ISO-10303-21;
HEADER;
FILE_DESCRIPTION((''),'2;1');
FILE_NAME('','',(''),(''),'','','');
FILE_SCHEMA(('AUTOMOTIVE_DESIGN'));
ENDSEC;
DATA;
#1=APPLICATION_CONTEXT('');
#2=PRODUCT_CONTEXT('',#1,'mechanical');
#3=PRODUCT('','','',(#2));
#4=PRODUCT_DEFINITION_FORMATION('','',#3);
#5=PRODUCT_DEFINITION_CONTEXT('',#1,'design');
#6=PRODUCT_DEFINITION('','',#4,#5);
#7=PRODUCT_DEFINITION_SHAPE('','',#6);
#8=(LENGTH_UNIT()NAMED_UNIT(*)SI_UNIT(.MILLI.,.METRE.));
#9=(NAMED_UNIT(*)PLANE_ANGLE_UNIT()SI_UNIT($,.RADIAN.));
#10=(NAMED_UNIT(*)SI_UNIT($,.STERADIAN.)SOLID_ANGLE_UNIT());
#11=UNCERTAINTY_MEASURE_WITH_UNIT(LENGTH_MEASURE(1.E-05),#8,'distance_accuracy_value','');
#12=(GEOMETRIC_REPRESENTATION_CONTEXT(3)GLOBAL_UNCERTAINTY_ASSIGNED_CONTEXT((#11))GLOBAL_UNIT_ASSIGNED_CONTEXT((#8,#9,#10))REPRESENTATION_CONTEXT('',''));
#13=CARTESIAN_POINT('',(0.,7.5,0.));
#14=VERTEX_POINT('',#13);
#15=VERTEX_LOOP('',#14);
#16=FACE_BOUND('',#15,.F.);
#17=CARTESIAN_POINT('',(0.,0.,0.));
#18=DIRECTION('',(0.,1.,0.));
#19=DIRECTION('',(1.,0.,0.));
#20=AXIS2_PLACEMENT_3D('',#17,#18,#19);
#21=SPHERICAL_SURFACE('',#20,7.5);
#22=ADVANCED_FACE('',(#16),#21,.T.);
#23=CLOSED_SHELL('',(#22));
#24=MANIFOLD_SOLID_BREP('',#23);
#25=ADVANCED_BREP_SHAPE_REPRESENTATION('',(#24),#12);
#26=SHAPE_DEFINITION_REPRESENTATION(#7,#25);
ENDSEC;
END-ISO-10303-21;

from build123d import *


with BuildPart() as part:
    # Sketch1 → Revolve3 (revolve)
    with BuildSketch(Plane.XY):
        with BuildLine():
            Line((0, 7.5), (0, -7.5))
            ThreePointArc((0, -7.5), (7.5, 0), (0, 7.5))
        make_face()
    revolve(axis=Axis((0, 7.5, 0), (0, -1, 0)))


solid = part.part
